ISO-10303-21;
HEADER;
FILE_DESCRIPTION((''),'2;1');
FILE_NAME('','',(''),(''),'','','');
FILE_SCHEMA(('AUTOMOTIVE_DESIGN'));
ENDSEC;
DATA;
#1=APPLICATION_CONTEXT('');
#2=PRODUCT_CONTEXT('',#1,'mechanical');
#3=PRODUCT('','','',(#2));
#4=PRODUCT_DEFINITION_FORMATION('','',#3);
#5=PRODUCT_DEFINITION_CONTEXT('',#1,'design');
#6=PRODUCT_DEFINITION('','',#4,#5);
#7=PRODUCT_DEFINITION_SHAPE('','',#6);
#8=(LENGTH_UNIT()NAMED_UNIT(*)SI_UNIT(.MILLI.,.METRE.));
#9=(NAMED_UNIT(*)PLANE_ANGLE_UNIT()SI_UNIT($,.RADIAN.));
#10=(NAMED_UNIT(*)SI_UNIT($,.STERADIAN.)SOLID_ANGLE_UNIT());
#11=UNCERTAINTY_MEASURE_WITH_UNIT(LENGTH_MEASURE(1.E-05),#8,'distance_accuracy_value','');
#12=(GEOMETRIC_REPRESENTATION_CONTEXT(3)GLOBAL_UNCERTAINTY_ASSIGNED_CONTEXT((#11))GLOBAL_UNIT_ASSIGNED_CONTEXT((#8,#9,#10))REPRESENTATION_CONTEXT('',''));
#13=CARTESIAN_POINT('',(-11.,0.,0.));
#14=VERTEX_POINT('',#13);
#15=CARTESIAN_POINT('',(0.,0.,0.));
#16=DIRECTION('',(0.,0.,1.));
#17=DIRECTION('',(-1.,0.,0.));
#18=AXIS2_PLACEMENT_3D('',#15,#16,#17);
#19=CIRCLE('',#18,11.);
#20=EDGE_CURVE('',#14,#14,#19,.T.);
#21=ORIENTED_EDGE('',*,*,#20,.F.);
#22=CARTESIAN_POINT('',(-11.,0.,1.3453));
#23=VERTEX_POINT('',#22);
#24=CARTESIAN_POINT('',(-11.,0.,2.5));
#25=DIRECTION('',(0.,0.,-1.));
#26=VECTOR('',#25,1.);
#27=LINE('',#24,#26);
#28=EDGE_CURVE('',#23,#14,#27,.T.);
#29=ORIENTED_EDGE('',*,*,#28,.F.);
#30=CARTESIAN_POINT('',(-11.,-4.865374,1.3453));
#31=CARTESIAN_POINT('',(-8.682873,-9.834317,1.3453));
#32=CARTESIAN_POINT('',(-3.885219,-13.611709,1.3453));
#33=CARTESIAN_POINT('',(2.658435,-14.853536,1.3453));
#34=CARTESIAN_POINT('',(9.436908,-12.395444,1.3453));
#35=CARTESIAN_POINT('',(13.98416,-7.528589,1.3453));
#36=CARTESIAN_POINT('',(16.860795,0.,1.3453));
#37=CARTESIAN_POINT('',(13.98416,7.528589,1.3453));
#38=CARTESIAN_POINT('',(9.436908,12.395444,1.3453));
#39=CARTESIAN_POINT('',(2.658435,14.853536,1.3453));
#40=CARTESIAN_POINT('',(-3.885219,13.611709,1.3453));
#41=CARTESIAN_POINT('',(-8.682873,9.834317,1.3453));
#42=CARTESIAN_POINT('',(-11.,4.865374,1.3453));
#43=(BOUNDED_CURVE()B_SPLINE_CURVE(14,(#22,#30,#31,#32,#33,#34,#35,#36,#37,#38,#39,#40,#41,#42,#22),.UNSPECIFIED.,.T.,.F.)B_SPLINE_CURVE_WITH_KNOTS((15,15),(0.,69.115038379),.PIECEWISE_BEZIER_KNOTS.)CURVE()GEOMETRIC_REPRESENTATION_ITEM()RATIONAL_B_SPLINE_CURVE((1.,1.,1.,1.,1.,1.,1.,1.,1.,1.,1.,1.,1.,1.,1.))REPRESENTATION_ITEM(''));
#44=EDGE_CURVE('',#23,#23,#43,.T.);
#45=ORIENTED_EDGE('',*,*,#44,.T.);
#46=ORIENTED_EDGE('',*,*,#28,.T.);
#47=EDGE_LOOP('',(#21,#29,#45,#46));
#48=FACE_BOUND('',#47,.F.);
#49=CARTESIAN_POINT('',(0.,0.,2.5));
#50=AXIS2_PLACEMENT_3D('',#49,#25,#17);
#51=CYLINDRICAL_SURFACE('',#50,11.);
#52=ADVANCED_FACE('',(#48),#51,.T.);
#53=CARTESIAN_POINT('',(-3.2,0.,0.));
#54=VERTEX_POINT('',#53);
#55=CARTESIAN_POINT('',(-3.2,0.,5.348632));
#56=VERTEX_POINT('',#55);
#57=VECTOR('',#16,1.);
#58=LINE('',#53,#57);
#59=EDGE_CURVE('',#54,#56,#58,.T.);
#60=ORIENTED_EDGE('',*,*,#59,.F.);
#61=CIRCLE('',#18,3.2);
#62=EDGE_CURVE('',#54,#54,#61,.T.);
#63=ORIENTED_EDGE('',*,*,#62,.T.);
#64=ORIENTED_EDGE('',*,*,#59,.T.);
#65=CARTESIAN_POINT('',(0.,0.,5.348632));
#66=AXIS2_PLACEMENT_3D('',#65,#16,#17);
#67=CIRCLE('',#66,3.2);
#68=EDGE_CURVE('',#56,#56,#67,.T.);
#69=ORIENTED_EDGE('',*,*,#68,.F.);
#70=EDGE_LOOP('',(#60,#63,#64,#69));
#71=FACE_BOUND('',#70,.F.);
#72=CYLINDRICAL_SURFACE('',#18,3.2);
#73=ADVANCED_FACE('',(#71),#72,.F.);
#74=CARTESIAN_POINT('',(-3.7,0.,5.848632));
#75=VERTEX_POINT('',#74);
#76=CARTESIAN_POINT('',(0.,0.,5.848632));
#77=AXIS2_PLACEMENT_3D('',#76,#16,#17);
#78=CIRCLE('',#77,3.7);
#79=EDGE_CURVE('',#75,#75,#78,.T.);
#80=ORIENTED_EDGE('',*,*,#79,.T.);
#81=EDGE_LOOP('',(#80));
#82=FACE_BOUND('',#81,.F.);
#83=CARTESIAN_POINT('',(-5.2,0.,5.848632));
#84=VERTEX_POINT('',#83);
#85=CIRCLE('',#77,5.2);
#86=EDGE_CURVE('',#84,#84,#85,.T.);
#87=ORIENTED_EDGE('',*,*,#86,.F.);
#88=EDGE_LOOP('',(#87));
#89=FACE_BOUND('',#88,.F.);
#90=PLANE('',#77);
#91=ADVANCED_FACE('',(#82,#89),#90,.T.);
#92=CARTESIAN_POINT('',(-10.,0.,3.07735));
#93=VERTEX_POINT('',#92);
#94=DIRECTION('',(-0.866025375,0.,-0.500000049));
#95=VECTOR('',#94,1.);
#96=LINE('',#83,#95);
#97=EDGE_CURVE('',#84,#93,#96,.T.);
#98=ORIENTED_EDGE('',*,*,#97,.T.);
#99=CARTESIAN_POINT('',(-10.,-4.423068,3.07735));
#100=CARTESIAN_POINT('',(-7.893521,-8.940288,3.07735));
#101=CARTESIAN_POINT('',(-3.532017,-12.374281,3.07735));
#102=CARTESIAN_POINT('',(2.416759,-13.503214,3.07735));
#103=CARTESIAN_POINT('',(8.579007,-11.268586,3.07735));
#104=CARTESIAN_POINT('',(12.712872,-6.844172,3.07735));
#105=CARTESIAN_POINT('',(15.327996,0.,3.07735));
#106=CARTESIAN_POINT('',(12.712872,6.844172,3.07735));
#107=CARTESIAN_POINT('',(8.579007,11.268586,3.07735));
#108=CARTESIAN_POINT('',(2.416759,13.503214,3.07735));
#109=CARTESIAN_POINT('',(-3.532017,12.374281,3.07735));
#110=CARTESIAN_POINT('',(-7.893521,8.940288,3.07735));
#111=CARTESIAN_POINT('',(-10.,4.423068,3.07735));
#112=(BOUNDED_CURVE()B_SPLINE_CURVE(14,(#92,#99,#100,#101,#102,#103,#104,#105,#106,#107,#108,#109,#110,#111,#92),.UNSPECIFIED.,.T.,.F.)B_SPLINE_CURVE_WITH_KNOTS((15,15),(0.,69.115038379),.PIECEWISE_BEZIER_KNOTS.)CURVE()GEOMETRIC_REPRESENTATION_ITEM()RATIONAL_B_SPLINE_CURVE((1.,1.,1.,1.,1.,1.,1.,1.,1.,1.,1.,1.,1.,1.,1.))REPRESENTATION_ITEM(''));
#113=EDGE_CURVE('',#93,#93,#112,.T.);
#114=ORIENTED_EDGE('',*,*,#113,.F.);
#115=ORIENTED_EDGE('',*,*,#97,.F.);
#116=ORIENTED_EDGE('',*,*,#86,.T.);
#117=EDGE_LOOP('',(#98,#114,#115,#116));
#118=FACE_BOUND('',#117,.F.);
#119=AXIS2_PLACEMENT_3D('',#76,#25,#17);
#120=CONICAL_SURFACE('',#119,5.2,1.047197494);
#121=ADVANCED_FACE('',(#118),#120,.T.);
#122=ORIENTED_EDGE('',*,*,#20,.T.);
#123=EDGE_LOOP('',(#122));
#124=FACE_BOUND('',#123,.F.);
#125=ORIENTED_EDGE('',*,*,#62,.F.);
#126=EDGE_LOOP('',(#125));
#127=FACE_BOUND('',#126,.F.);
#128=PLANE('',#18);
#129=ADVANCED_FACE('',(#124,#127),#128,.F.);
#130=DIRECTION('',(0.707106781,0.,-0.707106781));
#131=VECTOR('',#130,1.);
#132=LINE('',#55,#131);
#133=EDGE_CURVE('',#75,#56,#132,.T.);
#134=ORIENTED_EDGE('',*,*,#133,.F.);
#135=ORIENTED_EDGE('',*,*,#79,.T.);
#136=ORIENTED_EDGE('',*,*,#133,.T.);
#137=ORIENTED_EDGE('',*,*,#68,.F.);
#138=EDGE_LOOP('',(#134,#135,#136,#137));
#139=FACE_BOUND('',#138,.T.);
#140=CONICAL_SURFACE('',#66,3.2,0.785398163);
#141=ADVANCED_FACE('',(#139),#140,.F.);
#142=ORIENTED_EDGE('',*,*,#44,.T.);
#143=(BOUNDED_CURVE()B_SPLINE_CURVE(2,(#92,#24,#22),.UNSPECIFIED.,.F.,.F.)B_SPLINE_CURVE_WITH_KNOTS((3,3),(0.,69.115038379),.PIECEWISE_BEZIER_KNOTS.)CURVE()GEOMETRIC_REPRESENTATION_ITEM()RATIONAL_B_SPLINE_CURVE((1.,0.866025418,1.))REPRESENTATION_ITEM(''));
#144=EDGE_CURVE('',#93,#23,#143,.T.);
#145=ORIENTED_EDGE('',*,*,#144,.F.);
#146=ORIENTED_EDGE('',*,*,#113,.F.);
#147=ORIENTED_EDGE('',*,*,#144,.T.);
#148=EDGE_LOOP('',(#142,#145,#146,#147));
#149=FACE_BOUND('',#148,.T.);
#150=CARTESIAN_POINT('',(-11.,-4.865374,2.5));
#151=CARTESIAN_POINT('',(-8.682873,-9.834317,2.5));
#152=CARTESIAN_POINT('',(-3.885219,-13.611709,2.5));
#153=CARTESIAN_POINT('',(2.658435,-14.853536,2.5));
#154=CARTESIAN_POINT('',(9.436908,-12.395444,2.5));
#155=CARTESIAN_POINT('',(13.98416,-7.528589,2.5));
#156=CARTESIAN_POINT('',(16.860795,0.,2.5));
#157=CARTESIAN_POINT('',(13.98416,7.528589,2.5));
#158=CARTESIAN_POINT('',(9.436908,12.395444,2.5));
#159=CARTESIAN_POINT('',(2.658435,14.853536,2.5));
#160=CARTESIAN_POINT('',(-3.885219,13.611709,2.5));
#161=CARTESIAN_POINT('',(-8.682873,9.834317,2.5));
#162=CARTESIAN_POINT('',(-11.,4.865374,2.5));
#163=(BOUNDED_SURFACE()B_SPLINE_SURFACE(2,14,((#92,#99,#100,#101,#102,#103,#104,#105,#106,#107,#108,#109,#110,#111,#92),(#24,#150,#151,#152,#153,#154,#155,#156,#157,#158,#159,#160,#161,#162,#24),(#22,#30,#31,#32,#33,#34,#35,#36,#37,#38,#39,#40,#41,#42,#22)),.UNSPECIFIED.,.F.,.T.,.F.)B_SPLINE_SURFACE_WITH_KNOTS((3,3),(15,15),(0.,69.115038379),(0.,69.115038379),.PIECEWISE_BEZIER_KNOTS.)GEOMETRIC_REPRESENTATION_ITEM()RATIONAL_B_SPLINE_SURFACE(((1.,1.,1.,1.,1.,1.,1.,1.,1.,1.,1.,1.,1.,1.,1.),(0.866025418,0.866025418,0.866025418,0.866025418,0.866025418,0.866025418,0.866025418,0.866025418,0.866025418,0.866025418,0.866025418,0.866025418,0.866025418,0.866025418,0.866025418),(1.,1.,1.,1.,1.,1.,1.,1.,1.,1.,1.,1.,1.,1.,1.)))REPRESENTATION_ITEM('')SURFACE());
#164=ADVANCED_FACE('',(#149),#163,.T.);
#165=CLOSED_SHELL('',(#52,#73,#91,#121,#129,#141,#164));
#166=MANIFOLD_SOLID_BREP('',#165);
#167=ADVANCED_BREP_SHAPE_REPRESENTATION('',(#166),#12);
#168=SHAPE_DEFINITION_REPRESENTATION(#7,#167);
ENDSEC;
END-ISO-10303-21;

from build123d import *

# Parameters (mm, degrees)
F2_R    = 2
F3_SIZE = 0.5


with BuildPart() as f1:
    # F0 (on Front) → F1 (revolve)
    with BuildSketch(Plane.XZ):
        Polygon((-11, 0), (-3.2, 0), (-3.2, 5.848632), (-5.2, 5.848632), (-11, 2.5), align=None)
    revolve(axis=Axis((0, 0, 13.586091), (0, 0, 1)))

    # F2
    f2_edges = [f1.edges().sort_by_distance(p)[0] for p in [
        (11, 0, 2.5),
    ]]
    fillet(f2_edges, radius=F2_R)

    # F3
    f3_edges = [f1.edges().sort_by_distance(p)[0] for p in [
        (3.2, 0, 5.848632),
    ]]
    chamfer(f3_edges, length=F3_SIZE)


solid = f1.part
